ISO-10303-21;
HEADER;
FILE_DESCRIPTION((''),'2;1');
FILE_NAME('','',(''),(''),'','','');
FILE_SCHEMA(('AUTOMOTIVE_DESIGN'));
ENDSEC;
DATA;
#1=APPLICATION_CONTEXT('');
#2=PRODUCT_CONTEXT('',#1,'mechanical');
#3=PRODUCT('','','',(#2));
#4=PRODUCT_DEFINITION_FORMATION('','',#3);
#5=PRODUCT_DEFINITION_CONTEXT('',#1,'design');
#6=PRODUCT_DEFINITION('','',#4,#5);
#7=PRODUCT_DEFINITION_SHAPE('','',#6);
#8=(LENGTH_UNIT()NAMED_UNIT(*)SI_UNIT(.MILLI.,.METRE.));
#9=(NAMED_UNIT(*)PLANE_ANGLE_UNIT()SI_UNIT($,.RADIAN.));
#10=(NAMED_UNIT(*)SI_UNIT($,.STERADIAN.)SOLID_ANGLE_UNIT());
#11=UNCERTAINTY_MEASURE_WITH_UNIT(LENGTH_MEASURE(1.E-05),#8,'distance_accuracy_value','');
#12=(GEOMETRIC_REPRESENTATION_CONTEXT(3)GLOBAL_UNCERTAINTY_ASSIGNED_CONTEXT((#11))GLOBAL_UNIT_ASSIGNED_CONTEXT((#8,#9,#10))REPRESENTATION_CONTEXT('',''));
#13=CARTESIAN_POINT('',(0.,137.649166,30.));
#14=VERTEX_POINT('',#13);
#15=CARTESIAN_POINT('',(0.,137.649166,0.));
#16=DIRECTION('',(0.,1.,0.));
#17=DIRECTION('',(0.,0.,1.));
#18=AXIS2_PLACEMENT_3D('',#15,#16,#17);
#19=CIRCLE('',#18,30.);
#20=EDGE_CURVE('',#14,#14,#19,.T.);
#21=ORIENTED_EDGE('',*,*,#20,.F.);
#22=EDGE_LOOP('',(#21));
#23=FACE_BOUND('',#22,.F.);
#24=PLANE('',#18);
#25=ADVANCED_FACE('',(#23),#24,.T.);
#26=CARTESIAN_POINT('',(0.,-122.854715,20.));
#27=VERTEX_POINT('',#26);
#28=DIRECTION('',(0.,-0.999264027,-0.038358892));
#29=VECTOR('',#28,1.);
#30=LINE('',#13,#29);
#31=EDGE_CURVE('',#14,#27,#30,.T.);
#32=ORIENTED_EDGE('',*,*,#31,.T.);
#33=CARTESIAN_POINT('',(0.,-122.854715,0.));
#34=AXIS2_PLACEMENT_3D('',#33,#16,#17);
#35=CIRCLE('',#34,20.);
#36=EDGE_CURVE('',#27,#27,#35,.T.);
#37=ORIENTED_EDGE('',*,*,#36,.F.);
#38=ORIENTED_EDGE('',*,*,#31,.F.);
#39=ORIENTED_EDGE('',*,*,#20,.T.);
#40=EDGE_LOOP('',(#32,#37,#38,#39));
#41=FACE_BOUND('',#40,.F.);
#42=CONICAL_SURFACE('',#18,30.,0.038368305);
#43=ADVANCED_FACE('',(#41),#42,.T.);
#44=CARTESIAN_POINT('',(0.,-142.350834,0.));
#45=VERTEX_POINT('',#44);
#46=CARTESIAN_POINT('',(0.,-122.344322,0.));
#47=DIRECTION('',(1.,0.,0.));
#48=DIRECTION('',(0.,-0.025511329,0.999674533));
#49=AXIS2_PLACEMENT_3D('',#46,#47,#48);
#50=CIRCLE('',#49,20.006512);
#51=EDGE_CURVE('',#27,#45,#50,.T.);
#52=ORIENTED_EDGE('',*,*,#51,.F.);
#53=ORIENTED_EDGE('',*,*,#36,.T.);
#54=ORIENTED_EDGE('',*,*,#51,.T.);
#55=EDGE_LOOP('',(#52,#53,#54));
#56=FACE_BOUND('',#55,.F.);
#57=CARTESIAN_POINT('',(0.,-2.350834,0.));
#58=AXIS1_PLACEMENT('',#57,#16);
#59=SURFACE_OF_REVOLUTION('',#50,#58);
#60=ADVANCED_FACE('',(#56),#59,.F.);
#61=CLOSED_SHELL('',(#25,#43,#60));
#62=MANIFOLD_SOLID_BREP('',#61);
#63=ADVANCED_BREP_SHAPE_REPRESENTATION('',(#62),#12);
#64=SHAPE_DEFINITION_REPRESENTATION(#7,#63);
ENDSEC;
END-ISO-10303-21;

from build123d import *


with BuildPart() as f1:
    # F0 (on Right) → F1 (revolve)
    with BuildSketch(Plane.YZ):
        with BuildLine():
            ThreePointArc((-122.854715, 20), (-136.670377, 13.965123), (-142.350834, 0))
            Line((-142.350834, 0), (137.649166, 0))
            Line((137.649166, 0), (137.649166, 30))
            Line((137.649166, 30), (-122.854715, 20))
        make_face()
    revolve(axis=Axis((0, -2.350834, 0), (0, 1, 0)))


solid = f1.part
